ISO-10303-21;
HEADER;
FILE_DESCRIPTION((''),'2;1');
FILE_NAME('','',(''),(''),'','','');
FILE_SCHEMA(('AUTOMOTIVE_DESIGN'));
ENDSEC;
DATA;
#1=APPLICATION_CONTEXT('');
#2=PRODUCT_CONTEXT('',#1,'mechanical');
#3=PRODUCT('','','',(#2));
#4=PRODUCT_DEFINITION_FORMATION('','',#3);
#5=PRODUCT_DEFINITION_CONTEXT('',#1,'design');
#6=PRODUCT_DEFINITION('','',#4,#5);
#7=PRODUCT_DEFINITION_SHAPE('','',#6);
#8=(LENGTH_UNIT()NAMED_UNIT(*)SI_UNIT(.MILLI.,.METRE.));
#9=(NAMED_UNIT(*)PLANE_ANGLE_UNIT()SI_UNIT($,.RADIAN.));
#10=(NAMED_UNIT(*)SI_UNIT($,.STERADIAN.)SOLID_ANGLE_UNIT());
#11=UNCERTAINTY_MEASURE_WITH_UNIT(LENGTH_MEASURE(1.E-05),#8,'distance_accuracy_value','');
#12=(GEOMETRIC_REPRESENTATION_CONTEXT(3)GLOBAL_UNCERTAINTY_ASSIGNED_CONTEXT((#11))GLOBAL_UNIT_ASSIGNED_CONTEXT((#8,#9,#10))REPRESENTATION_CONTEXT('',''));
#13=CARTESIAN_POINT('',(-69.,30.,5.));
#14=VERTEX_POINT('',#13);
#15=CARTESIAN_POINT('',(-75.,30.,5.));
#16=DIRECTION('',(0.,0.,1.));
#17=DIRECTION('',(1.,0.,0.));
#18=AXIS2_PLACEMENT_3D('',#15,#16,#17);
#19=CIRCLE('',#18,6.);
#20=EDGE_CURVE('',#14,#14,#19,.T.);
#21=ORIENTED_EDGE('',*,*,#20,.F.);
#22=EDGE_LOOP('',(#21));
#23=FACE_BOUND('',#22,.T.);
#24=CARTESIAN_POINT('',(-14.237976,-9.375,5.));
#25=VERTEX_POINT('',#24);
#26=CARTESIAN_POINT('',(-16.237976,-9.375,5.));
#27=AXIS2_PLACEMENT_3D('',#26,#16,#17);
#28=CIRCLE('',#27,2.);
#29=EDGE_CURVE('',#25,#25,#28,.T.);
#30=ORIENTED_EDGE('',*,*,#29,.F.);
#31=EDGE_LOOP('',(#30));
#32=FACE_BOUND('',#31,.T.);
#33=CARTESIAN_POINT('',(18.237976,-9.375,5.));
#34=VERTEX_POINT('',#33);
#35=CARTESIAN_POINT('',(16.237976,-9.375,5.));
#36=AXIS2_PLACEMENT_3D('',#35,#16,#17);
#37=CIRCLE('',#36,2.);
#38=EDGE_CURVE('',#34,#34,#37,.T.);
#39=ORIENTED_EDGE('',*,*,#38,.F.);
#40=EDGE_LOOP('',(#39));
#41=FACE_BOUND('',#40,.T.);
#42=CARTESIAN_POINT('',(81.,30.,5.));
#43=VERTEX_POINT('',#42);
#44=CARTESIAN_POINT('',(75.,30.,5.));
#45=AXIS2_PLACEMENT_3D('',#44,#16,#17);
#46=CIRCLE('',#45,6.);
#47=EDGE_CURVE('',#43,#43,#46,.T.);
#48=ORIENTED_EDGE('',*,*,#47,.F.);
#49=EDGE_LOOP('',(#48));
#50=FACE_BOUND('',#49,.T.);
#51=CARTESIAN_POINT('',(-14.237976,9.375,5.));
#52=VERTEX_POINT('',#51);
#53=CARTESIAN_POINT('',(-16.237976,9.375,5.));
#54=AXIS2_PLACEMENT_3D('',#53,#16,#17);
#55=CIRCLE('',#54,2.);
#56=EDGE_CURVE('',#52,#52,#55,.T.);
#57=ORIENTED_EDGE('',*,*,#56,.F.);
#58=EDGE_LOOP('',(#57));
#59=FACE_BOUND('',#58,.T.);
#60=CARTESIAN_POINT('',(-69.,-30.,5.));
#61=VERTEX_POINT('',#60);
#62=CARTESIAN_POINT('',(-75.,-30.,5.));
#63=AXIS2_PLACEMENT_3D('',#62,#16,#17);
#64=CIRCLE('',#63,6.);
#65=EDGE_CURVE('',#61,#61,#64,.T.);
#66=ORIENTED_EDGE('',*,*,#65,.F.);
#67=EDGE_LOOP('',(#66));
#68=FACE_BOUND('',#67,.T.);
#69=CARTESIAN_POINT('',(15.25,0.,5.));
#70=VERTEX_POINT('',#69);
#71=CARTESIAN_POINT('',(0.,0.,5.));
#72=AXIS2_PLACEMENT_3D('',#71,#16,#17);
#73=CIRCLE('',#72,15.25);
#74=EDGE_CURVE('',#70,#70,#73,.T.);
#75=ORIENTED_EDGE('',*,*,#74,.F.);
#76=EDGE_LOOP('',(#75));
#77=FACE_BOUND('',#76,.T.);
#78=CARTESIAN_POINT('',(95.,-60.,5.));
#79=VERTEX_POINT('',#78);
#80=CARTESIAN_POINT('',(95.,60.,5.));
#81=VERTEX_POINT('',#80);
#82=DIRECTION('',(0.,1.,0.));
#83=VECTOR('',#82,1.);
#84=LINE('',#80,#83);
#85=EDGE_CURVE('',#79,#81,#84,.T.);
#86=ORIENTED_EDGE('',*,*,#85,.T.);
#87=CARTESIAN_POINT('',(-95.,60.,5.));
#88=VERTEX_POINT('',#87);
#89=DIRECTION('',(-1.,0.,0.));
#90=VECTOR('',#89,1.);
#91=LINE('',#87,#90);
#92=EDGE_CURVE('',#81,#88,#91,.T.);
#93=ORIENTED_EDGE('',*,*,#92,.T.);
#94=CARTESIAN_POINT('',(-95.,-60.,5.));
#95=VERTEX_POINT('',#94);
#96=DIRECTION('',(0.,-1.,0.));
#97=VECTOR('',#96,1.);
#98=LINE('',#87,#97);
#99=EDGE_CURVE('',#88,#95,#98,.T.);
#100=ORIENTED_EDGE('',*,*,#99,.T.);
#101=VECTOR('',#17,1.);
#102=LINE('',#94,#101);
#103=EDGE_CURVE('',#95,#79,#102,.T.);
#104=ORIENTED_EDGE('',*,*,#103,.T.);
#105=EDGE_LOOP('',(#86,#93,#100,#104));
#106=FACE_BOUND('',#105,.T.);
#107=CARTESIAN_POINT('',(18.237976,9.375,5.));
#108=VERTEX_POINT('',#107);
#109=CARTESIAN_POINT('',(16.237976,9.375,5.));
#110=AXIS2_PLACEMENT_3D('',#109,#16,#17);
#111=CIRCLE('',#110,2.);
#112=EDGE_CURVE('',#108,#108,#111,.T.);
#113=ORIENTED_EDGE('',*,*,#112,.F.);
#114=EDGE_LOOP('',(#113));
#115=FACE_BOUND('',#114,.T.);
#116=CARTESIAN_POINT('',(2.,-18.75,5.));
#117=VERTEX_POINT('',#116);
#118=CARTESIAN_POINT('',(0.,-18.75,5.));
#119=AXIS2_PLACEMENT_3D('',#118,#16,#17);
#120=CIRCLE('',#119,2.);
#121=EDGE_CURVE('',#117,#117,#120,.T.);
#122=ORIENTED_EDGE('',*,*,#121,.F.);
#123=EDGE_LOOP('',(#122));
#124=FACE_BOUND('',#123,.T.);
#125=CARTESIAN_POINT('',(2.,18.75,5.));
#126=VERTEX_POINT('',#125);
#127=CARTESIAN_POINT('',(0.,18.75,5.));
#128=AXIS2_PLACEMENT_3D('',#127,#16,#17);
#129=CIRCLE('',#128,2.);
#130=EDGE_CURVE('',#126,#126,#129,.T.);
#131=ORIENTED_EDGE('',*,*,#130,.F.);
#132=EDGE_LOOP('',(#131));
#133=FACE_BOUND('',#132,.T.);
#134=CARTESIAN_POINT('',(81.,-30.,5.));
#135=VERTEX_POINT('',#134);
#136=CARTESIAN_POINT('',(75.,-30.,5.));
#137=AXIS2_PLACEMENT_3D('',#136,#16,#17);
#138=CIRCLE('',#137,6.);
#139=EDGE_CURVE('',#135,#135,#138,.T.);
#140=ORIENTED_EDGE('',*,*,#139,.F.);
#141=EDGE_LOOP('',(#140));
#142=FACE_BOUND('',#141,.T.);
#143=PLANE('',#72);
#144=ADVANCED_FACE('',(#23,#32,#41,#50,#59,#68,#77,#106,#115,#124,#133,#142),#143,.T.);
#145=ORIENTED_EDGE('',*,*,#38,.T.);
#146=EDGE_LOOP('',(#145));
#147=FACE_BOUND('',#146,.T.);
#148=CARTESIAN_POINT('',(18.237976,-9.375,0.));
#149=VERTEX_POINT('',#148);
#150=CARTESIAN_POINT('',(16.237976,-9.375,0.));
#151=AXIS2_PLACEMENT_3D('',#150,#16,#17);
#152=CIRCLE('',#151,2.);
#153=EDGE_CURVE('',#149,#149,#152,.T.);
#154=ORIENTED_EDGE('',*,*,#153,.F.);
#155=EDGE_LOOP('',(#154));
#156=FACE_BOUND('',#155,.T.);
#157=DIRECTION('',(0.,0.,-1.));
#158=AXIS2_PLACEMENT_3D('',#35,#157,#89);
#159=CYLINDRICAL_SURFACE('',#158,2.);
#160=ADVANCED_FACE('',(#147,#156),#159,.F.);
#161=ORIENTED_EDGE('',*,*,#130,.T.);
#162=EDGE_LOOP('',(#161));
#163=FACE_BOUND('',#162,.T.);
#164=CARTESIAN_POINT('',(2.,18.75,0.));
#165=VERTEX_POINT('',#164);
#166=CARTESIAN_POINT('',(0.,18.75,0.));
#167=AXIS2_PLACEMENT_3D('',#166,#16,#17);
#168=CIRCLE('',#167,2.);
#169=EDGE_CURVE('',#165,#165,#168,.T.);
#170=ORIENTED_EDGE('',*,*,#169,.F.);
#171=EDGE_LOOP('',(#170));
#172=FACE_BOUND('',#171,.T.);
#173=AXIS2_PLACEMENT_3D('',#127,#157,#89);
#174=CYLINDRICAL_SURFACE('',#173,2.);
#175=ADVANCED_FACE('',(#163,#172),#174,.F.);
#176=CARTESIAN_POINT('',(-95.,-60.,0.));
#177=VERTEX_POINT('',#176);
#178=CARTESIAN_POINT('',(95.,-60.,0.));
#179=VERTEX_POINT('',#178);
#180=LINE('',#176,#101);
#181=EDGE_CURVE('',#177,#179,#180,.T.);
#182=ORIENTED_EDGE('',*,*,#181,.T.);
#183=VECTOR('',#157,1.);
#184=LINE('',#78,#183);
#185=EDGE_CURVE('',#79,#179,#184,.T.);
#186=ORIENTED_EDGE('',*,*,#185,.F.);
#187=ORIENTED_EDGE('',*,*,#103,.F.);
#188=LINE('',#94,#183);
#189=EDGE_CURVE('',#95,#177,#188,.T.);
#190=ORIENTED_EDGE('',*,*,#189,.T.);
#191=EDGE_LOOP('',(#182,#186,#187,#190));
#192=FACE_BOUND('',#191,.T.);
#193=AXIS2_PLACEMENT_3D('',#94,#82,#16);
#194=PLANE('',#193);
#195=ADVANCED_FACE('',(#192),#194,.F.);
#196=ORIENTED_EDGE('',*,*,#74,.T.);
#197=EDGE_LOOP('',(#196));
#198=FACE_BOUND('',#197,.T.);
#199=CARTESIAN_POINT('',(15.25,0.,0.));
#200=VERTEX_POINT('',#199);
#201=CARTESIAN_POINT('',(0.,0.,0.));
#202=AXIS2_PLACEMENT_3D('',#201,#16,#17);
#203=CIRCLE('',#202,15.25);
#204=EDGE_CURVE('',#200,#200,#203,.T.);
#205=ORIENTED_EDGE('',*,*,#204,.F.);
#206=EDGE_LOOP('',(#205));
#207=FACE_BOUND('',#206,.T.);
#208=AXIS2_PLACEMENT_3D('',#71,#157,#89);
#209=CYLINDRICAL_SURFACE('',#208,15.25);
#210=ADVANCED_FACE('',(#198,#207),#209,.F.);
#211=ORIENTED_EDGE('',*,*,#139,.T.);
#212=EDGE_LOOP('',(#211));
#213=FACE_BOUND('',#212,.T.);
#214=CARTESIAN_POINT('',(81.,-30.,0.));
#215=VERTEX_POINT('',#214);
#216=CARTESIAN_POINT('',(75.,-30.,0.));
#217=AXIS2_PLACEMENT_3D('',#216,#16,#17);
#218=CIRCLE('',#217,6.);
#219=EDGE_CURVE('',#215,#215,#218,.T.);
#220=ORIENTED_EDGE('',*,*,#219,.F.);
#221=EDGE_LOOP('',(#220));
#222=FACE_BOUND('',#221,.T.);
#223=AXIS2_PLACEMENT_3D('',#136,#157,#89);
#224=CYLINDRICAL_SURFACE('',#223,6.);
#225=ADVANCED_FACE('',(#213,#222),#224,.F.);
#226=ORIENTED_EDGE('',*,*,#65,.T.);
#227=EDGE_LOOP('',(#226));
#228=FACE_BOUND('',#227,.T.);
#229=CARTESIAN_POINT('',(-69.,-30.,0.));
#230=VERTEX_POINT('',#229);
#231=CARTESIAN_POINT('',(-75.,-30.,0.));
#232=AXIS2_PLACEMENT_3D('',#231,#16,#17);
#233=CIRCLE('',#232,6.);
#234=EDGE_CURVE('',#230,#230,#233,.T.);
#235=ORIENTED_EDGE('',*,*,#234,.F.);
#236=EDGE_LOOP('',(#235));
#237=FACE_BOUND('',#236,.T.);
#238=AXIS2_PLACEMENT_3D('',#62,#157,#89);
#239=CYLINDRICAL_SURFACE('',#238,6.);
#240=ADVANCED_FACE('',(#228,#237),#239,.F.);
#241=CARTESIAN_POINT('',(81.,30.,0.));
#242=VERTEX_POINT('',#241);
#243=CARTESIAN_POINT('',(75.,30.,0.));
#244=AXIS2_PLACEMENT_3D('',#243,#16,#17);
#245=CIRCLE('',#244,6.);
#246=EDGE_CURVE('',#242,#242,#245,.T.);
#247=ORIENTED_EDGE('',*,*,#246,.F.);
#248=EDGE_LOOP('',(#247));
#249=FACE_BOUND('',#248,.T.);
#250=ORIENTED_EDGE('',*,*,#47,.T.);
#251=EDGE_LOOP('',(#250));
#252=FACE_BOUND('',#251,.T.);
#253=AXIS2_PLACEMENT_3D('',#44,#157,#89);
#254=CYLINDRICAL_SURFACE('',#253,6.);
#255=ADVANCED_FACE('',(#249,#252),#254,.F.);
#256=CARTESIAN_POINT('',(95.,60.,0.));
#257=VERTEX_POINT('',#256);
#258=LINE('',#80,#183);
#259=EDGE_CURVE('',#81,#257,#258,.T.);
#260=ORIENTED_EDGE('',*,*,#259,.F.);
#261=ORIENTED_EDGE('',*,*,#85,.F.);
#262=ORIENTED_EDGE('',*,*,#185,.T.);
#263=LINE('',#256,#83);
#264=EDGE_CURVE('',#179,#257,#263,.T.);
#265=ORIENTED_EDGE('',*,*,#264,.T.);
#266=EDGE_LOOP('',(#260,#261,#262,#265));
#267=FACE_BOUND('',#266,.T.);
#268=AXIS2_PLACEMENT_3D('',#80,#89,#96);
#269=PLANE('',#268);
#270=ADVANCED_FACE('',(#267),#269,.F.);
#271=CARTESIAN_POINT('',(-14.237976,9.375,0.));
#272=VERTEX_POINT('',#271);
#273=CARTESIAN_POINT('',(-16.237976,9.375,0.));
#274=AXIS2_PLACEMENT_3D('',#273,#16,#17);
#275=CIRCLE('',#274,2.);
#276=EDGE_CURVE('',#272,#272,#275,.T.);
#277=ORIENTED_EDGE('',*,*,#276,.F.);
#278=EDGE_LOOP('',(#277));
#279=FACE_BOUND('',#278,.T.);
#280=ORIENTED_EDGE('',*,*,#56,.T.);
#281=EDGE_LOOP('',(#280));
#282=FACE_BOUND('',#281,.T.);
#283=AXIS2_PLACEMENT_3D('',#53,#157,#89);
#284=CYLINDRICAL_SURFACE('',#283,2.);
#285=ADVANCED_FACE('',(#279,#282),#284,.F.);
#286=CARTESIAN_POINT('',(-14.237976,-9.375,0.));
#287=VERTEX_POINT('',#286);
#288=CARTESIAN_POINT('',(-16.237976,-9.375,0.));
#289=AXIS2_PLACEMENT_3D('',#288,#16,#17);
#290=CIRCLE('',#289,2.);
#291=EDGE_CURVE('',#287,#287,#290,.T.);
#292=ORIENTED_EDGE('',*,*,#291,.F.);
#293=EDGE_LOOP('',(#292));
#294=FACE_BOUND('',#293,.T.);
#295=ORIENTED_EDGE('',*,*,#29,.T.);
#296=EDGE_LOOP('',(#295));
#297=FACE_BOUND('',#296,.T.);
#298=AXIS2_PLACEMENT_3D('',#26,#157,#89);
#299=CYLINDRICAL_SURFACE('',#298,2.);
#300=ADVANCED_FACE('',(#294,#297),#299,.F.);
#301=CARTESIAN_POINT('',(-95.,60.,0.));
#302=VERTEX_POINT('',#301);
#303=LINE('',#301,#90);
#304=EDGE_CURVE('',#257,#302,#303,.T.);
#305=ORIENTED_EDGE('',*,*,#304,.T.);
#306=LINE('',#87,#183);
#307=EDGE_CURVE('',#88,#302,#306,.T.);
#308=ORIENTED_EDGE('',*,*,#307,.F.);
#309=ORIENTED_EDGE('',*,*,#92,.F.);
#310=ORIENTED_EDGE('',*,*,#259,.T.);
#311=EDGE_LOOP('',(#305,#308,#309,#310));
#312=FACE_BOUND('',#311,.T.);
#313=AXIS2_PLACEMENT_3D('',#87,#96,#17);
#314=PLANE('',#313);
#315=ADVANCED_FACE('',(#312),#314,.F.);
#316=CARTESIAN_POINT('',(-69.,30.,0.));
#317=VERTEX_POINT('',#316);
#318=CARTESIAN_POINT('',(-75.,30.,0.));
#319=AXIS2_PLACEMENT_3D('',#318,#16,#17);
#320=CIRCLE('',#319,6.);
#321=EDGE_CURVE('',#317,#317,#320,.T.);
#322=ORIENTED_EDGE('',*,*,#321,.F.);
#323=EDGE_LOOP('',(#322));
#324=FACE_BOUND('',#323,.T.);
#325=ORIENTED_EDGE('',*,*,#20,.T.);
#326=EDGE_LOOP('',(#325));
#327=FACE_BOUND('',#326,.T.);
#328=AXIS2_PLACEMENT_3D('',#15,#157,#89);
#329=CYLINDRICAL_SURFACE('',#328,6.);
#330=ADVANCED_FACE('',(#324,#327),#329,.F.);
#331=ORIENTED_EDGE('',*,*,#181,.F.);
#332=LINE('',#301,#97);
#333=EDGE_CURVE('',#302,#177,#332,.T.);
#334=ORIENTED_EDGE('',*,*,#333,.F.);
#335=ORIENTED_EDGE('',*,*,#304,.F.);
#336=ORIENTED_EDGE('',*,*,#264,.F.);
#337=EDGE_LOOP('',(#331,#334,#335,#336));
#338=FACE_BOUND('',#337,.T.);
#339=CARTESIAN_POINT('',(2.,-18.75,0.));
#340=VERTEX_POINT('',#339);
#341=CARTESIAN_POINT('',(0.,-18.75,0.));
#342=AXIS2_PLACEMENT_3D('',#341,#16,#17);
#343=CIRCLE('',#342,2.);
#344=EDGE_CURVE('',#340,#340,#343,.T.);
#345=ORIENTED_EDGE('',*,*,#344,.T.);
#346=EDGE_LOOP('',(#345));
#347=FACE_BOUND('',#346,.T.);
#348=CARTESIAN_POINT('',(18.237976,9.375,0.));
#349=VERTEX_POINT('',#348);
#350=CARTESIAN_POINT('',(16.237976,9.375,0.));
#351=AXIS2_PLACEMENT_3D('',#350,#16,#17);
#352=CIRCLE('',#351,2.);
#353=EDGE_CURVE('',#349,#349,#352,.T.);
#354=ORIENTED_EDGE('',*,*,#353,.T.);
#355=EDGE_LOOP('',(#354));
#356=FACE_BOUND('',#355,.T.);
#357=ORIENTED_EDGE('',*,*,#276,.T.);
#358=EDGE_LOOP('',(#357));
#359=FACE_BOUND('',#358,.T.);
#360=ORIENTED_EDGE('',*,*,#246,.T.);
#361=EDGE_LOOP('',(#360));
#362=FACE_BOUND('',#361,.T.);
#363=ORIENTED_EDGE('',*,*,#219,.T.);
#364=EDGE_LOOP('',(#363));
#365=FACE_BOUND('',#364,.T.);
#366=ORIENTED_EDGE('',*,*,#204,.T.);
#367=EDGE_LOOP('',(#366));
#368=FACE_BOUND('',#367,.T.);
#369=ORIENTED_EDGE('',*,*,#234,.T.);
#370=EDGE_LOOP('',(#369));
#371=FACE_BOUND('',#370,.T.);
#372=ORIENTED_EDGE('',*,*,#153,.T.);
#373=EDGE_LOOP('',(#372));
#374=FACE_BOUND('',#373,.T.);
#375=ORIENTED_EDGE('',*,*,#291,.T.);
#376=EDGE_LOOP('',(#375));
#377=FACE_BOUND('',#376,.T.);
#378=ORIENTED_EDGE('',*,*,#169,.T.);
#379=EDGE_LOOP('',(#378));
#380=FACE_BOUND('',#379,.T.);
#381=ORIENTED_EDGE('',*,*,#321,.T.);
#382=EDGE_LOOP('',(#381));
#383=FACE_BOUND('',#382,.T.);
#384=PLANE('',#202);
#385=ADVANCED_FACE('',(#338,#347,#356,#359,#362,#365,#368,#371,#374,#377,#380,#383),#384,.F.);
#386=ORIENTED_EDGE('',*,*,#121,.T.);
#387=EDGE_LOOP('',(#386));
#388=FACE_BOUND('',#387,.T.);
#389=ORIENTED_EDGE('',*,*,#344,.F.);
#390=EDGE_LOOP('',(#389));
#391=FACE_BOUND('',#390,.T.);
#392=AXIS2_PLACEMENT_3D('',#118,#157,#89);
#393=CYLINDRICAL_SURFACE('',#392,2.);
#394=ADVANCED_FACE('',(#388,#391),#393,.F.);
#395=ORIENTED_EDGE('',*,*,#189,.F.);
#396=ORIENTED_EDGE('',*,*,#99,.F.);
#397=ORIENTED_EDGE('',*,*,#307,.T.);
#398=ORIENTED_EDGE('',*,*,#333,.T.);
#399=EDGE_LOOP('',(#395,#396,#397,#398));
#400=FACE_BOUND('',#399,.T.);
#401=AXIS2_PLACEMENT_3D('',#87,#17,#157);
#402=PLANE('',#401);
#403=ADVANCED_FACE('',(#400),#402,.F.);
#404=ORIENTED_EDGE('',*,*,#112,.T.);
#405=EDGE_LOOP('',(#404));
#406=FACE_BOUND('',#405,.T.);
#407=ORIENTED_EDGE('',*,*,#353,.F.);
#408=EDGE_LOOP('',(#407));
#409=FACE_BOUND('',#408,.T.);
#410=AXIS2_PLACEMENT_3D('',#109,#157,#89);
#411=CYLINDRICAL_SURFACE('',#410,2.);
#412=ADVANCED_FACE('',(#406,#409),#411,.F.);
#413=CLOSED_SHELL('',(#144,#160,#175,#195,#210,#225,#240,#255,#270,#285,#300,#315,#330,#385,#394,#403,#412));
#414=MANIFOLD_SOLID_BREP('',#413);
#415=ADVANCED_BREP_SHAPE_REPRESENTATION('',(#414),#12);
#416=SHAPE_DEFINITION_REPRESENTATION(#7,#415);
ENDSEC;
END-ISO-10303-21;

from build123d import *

# Parameters (mm, degrees)
SKETCH1_W           = 190
SKETCH1_H           = 120
SKETCH1_R           = 6
SKETCH1_R_2         = 15.25
SKETCH1_R_3         = 2
BOSS_EXTRUDE1_DEPTH = 5


with BuildPart() as part:
    # Sketch1 → Boss-Extrude1 (new body)
    with BuildSketch(Plane.XY):
        Rectangle(SKETCH1_W, SKETCH1_H)
        with Locations((-75, 30)):
            Circle(SKETCH1_R, mode=Mode.SUBTRACT)
        with Locations((75, 30)):
            Circle(SKETCH1_R, mode=Mode.SUBTRACT)
        with Locations((75, -30)):
            Circle(SKETCH1_R, mode=Mode.SUBTRACT)
        with Locations((-75, -30)):
            Circle(SKETCH1_R, mode=Mode.SUBTRACT)
        Circle(SKETCH1_R_2, mode=Mode.SUBTRACT)
        with Locations((0, 18.75)):
            Circle(SKETCH1_R_3, mode=Mode.SUBTRACT)
        with Locations((16.237976321, 9.375)):
            Circle(SKETCH1_R_3, mode=Mode.SUBTRACT)
        with Locations((16.237976321, -9.375)):
            Circle(SKETCH1_R_3, mode=Mode.SUBTRACT)
        with Locations((0, -18.75)):
            Circle(SKETCH1_R_3, mode=Mode.SUBTRACT)
        with Locations((-16.237976321, -9.375)):
            Circle(SKETCH1_R_3, mode=Mode.SUBTRACT)
        with Locations((-16.237976321, 9.375)):
            Circle(SKETCH1_R_3, mode=Mode.SUBTRACT)
    extrude(amount=BOSS_EXTRUDE1_DEPTH)


solid = part.part
